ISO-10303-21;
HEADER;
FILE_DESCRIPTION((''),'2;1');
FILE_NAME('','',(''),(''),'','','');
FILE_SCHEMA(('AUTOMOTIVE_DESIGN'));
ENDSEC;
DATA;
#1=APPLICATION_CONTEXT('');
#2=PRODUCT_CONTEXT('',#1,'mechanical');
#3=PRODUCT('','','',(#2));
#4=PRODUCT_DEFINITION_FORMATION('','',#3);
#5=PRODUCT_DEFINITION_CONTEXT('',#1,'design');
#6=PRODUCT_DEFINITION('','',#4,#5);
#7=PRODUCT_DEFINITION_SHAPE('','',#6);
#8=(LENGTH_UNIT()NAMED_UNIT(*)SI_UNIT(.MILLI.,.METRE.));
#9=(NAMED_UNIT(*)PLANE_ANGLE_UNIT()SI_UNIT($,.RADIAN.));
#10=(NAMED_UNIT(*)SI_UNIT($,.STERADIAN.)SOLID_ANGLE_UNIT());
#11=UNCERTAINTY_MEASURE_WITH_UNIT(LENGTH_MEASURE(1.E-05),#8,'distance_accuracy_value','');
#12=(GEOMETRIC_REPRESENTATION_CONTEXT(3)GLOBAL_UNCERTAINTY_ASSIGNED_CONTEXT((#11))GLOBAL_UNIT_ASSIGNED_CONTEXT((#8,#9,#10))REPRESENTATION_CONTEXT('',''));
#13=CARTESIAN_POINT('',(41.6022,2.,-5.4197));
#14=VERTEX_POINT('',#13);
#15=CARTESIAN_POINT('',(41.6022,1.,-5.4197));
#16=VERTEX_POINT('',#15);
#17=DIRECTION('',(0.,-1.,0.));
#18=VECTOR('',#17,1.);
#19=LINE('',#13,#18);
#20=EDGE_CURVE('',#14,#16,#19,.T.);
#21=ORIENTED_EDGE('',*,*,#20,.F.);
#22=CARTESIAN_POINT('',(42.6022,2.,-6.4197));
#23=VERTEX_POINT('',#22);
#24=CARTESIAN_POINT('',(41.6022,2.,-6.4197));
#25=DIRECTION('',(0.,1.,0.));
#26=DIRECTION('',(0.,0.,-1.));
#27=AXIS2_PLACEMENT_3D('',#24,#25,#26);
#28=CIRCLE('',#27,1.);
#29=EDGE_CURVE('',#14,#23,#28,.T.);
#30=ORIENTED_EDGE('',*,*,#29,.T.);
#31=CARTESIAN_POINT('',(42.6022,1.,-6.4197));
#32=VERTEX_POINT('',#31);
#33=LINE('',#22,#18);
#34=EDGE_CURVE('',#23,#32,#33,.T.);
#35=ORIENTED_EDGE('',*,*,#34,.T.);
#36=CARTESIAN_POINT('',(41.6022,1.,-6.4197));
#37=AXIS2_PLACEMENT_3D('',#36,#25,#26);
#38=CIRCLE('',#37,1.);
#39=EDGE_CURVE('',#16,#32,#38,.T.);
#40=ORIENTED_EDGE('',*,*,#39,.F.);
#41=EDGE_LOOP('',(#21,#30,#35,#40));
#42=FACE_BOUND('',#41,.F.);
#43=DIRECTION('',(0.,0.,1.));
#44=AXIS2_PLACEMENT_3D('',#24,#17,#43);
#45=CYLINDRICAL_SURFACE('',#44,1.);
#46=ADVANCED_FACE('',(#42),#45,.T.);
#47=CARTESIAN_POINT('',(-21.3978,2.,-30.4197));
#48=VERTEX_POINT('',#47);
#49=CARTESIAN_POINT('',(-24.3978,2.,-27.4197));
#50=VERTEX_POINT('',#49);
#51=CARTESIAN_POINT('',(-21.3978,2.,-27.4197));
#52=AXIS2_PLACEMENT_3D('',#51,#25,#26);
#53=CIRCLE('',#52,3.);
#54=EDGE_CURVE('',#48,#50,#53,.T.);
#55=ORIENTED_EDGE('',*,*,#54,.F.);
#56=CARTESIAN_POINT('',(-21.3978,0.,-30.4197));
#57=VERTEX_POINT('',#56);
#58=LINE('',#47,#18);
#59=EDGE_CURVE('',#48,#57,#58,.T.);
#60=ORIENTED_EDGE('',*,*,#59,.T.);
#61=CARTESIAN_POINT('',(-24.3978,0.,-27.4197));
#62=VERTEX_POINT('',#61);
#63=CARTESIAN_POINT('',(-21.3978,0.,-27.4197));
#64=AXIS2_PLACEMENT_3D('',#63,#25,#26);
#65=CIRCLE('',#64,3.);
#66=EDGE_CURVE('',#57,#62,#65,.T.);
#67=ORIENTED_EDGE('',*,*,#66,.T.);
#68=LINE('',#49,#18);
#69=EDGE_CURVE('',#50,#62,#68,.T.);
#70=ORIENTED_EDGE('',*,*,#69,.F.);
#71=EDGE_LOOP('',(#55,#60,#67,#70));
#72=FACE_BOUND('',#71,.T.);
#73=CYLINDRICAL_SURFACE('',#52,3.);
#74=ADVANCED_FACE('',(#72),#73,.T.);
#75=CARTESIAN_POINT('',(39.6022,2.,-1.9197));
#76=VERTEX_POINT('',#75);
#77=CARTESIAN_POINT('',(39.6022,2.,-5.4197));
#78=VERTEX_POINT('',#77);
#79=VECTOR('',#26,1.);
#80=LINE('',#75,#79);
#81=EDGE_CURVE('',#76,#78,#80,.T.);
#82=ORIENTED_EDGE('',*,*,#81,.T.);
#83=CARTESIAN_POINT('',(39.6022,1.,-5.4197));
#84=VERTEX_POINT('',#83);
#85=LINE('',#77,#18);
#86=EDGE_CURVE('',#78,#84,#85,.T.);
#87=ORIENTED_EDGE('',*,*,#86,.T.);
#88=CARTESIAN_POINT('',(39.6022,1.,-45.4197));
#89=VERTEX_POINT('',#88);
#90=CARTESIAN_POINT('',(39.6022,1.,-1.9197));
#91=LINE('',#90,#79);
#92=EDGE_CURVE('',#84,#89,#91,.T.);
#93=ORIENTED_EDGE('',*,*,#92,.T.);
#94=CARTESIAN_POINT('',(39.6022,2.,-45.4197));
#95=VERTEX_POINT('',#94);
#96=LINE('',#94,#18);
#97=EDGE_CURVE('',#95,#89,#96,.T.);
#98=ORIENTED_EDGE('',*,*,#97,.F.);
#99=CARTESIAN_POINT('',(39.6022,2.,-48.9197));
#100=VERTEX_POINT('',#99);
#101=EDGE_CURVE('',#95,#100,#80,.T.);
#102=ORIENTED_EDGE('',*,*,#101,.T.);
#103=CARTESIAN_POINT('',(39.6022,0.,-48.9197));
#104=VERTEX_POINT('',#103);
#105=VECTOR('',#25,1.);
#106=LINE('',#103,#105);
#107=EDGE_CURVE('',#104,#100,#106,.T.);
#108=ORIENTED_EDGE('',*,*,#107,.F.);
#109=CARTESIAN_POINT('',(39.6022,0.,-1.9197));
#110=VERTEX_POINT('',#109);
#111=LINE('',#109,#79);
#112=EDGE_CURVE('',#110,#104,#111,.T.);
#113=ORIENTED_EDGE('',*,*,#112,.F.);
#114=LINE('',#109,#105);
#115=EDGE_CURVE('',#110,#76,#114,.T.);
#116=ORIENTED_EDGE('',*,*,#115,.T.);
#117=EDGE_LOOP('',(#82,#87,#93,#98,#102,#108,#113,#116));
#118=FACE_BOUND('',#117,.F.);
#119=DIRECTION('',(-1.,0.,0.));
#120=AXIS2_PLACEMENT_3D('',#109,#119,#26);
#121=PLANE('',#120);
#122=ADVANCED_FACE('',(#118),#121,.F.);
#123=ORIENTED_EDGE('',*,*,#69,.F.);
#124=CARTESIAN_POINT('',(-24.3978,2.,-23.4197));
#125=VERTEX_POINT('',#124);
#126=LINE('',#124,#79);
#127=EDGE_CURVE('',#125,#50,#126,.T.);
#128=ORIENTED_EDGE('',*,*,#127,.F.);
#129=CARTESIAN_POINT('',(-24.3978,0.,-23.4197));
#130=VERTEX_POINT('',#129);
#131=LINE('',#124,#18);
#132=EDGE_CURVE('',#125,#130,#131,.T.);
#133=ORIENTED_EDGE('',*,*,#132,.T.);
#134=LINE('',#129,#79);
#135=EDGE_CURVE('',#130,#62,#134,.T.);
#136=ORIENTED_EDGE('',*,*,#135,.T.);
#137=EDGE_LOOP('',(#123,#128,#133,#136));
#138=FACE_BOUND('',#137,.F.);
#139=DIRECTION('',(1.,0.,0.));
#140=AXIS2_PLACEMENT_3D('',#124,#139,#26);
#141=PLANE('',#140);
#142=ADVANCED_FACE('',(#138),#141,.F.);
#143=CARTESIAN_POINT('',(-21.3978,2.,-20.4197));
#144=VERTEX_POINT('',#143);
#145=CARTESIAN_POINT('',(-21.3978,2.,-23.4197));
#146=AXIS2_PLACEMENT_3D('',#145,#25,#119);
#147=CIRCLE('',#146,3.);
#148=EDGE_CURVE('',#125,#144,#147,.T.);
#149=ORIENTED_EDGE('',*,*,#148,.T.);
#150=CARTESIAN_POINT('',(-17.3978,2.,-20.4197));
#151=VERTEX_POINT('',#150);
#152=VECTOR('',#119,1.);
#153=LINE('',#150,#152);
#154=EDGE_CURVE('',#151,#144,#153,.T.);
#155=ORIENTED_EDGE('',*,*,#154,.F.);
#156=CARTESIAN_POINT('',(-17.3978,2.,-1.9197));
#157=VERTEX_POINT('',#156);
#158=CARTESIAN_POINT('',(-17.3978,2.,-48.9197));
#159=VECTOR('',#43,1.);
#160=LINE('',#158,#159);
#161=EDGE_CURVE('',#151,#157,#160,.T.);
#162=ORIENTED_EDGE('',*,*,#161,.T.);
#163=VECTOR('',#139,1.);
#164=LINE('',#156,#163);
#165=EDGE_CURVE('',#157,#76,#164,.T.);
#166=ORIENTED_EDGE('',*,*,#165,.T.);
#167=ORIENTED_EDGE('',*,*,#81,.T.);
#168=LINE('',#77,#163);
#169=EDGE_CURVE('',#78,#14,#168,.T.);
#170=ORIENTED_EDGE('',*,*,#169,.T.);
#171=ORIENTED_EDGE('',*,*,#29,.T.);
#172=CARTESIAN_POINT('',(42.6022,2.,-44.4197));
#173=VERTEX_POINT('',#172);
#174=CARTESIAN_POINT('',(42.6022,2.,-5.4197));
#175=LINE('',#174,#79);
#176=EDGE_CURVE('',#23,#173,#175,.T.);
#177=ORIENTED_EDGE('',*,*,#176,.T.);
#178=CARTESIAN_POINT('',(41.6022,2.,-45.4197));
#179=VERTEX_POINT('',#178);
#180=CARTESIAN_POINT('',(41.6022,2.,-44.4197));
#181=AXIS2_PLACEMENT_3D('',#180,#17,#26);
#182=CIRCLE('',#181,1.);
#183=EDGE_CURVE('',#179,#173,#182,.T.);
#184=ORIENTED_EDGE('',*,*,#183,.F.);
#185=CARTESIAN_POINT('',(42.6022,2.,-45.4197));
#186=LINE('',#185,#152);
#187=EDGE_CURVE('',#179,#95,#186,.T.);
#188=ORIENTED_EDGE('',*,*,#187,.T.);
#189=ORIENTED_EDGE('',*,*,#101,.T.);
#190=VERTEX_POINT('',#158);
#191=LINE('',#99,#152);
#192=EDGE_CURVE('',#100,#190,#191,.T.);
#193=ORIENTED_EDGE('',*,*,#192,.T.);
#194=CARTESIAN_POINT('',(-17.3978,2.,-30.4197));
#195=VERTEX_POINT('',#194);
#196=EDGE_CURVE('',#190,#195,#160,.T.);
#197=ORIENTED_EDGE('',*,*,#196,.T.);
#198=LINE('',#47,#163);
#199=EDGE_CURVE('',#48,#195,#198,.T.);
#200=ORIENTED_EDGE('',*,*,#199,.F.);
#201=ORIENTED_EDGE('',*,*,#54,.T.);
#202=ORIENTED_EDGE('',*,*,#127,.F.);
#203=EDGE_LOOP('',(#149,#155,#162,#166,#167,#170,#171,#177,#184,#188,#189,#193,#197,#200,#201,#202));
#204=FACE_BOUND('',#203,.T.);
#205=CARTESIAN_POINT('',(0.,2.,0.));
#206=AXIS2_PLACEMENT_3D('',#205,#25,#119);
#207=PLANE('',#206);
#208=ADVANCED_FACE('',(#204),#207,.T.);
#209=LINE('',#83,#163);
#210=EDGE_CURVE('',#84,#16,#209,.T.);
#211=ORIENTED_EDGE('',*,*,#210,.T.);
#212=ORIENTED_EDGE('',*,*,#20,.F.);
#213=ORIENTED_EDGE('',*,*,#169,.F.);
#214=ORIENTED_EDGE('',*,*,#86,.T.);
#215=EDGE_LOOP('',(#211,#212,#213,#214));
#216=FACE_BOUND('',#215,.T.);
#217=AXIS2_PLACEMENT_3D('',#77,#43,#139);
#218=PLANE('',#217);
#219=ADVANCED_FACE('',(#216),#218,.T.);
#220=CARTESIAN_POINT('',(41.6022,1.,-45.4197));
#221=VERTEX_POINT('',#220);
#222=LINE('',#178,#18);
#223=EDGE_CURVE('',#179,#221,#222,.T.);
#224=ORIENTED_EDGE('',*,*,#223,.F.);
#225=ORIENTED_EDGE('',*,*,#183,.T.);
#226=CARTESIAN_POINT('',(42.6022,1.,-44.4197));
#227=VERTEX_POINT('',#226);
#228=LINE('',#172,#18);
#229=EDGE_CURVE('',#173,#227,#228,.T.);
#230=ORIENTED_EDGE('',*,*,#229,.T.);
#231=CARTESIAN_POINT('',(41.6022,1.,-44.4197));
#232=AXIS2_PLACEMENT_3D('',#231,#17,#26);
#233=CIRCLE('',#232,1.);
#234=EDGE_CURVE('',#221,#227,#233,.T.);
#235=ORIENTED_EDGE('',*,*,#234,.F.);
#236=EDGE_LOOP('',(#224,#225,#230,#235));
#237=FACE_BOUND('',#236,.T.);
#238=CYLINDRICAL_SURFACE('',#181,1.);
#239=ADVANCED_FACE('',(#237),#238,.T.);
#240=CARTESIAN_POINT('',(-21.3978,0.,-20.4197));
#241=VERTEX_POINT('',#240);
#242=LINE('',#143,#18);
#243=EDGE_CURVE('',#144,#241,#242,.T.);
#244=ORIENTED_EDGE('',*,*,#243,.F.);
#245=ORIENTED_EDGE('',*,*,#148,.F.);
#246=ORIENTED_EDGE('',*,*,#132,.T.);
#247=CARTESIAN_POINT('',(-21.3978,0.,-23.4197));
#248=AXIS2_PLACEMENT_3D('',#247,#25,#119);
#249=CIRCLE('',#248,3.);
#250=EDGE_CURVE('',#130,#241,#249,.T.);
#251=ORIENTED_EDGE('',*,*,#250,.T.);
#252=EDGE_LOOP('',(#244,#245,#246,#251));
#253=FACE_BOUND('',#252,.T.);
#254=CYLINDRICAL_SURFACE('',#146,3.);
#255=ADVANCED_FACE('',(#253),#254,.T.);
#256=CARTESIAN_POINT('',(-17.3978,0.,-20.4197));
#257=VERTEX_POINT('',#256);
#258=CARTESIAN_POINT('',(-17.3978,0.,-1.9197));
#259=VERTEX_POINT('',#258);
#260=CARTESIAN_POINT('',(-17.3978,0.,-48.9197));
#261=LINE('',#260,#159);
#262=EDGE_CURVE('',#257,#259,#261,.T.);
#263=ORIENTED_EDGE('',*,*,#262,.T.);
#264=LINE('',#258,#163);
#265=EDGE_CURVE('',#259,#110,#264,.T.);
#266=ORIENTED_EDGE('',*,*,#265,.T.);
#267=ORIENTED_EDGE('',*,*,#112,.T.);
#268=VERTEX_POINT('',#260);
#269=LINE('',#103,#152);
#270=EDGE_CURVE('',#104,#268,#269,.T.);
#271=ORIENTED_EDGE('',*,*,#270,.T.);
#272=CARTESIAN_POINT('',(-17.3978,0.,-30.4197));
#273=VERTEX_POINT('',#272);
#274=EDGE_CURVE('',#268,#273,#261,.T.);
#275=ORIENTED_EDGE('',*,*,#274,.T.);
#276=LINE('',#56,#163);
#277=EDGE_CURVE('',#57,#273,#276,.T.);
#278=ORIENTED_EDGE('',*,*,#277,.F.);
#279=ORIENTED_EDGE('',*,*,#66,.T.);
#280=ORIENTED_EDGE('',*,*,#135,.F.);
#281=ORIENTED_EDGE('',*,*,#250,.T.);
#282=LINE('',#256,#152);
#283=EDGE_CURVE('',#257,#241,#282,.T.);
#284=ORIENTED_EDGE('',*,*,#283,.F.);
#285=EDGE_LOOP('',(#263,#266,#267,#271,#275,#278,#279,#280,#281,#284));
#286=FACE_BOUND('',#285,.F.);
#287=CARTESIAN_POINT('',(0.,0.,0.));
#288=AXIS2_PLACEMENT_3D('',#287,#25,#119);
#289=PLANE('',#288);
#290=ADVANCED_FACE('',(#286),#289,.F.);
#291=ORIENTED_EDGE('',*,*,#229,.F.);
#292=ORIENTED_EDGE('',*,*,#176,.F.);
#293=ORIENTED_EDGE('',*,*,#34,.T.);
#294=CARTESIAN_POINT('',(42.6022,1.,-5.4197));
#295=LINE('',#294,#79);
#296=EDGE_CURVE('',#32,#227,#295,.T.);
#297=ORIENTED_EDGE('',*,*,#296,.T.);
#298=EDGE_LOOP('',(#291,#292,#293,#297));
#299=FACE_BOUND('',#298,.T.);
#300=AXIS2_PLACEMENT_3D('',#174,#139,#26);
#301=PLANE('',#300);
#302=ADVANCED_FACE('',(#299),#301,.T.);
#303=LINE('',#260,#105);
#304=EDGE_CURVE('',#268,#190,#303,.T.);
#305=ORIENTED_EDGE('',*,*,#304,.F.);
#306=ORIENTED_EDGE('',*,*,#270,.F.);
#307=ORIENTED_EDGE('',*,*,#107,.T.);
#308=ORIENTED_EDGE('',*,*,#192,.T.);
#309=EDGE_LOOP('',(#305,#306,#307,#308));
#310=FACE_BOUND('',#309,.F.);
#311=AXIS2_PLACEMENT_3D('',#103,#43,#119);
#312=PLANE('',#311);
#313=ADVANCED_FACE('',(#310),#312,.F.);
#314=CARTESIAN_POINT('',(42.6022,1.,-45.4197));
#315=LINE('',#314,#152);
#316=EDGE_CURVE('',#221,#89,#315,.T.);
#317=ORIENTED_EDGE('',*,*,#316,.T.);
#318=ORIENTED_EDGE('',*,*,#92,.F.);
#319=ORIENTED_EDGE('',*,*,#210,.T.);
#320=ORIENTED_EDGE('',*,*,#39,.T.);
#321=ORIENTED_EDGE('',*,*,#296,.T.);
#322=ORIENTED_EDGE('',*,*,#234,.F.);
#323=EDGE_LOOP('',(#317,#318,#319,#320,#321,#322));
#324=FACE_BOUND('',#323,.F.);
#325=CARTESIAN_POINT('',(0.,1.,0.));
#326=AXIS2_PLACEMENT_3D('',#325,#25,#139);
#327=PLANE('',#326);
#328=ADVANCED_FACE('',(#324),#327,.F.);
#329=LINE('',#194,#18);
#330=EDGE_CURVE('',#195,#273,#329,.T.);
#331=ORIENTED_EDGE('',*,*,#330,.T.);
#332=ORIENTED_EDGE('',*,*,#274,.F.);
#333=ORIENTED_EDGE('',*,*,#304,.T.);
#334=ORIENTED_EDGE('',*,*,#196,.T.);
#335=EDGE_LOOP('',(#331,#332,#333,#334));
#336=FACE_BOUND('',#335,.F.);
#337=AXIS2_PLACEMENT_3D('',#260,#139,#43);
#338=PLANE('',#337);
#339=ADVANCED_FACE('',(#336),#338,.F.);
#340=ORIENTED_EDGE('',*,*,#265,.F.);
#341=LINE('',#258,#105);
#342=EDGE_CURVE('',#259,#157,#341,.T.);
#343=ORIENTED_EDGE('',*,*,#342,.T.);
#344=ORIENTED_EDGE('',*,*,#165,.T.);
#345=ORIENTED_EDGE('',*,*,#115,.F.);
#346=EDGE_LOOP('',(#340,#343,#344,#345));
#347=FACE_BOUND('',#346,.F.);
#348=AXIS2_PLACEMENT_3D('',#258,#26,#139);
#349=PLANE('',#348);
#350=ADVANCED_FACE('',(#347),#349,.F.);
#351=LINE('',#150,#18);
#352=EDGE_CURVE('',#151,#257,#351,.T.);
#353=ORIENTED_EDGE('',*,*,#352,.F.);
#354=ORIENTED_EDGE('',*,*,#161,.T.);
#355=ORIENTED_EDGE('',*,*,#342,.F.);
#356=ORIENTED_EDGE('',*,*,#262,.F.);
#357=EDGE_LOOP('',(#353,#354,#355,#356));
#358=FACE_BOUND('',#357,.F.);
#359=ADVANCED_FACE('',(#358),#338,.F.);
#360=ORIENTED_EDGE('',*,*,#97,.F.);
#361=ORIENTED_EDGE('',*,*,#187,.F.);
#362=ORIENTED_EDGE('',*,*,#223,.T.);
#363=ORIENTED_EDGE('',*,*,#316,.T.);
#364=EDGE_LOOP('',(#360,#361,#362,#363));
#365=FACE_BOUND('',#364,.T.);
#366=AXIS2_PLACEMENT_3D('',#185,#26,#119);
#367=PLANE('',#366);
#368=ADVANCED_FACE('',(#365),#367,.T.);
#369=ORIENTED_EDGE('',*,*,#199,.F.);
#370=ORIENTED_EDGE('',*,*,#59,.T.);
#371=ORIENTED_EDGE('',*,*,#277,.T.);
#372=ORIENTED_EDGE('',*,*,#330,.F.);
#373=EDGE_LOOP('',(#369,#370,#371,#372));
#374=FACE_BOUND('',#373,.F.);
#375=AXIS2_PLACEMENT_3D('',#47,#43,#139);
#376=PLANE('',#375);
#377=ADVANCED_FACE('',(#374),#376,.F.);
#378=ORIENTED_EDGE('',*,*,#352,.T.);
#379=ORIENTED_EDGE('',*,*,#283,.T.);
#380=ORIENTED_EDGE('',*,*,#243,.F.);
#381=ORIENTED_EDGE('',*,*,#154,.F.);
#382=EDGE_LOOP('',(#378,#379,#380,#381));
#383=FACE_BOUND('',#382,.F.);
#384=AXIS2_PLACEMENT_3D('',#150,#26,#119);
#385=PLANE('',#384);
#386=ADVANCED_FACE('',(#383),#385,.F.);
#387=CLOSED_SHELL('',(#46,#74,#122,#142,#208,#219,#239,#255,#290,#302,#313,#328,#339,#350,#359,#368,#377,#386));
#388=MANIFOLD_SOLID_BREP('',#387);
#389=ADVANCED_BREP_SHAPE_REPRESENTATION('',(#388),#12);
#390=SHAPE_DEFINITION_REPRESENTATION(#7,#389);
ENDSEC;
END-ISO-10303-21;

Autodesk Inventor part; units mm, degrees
ref_plane "YZ Plane" through (0, 0, 0) normal (1, 0, 0) x (0, 1, 0)
ref_plane "XZ Plane" through (0, 0, 0) normal (0, 1, 0) x (-1, 0, 0)
ref_plane "XY Plane" through (0, 0, 0) normal (0, 0, 1) x (1, 0, 0)
sketch "Sketch1" plane through (0, 0, 0) normal (0, 1, 0) x (-1, 0, 0)
  line L0 (17.3978, -1.9197) -> (-39.6022, -1.9197)
  line L1 (-39.6022, -1.9197) -> (-39.6022, -48.9197)
  line L2 (-39.6022, -48.9197) -> (17.3978, -48.9197)
  line L3 (17.3978, -48.9197) -> (17.3978, -1.9197)
  point P0 (0, 0)
  dimension "d0" = 47
  dimension "d1" = 57
extrude "Extrusion1" add sketch "Sketch1" along normal blind 2
sketch "Sketch2" plane through (0, 2, 0) normal (0, 1, 0) x (1, 0, 0)
  line L0 (-17.3978, 48.9197) -> (-17.3978, 1.9197) projected
  line L1 (-17.3978, 20.4197) -> (-21.3978, 20.4197)
  line L2 (-24.3978, 23.4197) -> (-24.3978, 27.4197)
  line L3 (-21.3978, 30.4197) -> (-17.3978, 30.4197)
  line L4 (-17.3978, 30.4197) -> (-17.3978, 20.4197)
  line L5 (-17.3978, 1.9197) -> (39.6022, 1.9197) projected
  arc A0 (-24.3978, 23.4197) -> (-21.3978, 20.4197) centre (-21.3978, 23.4197) ccw
  arc A1 (-21.3978, 30.4197) -> (-24.3978, 27.4197) centre (-21.3978, 27.4197) ccw
  point P0 (0, 0)
  point P1 (-24.3978, 30.4197)
  point P2 (-24.3978, 20.4197)
  dimension "d4" = 10
  dimension "d5" = 18.5
  dimension "d6" = 7
  dimension "d7" = 3
extrude "Extrusion2" add sketch "Sketch2" against normal blind 2
sketch "Sketch3" plane through (0, 2, 0) normal (0, 1, 0) x (1, 0, 0)
  line L0 (39.6022, 1.9197) -> (39.6022, 48.9197) projected
  line L1 (39.6022, 5.4197) -> (42.6022, 5.4197)
  line L2 (42.6022, 5.4197) -> (42.6022, 45.4197)
  line L3 (42.6022, 45.4197) -> (39.6022, 45.4197)
  line L4 (39.6022, 45.4197) -> (39.6022, 5.4197)
  line L5 (-17.3978, 1.9197) -> (39.6022, 1.9197) projected
  point P0 (0, 0)
  dimension "d10" = 3
  dimension "d11" = 40
  dimension "d12" = 3.5
extrude "Extrusion3" add sketch "Sketch3" against normal blind 1
fillet "Fillet1" radius 1 2 edges at (42.6022, 1.5, -5.4197) (42.6022, 1.5, -45.4197)
properties part number "BatteryDoor"
